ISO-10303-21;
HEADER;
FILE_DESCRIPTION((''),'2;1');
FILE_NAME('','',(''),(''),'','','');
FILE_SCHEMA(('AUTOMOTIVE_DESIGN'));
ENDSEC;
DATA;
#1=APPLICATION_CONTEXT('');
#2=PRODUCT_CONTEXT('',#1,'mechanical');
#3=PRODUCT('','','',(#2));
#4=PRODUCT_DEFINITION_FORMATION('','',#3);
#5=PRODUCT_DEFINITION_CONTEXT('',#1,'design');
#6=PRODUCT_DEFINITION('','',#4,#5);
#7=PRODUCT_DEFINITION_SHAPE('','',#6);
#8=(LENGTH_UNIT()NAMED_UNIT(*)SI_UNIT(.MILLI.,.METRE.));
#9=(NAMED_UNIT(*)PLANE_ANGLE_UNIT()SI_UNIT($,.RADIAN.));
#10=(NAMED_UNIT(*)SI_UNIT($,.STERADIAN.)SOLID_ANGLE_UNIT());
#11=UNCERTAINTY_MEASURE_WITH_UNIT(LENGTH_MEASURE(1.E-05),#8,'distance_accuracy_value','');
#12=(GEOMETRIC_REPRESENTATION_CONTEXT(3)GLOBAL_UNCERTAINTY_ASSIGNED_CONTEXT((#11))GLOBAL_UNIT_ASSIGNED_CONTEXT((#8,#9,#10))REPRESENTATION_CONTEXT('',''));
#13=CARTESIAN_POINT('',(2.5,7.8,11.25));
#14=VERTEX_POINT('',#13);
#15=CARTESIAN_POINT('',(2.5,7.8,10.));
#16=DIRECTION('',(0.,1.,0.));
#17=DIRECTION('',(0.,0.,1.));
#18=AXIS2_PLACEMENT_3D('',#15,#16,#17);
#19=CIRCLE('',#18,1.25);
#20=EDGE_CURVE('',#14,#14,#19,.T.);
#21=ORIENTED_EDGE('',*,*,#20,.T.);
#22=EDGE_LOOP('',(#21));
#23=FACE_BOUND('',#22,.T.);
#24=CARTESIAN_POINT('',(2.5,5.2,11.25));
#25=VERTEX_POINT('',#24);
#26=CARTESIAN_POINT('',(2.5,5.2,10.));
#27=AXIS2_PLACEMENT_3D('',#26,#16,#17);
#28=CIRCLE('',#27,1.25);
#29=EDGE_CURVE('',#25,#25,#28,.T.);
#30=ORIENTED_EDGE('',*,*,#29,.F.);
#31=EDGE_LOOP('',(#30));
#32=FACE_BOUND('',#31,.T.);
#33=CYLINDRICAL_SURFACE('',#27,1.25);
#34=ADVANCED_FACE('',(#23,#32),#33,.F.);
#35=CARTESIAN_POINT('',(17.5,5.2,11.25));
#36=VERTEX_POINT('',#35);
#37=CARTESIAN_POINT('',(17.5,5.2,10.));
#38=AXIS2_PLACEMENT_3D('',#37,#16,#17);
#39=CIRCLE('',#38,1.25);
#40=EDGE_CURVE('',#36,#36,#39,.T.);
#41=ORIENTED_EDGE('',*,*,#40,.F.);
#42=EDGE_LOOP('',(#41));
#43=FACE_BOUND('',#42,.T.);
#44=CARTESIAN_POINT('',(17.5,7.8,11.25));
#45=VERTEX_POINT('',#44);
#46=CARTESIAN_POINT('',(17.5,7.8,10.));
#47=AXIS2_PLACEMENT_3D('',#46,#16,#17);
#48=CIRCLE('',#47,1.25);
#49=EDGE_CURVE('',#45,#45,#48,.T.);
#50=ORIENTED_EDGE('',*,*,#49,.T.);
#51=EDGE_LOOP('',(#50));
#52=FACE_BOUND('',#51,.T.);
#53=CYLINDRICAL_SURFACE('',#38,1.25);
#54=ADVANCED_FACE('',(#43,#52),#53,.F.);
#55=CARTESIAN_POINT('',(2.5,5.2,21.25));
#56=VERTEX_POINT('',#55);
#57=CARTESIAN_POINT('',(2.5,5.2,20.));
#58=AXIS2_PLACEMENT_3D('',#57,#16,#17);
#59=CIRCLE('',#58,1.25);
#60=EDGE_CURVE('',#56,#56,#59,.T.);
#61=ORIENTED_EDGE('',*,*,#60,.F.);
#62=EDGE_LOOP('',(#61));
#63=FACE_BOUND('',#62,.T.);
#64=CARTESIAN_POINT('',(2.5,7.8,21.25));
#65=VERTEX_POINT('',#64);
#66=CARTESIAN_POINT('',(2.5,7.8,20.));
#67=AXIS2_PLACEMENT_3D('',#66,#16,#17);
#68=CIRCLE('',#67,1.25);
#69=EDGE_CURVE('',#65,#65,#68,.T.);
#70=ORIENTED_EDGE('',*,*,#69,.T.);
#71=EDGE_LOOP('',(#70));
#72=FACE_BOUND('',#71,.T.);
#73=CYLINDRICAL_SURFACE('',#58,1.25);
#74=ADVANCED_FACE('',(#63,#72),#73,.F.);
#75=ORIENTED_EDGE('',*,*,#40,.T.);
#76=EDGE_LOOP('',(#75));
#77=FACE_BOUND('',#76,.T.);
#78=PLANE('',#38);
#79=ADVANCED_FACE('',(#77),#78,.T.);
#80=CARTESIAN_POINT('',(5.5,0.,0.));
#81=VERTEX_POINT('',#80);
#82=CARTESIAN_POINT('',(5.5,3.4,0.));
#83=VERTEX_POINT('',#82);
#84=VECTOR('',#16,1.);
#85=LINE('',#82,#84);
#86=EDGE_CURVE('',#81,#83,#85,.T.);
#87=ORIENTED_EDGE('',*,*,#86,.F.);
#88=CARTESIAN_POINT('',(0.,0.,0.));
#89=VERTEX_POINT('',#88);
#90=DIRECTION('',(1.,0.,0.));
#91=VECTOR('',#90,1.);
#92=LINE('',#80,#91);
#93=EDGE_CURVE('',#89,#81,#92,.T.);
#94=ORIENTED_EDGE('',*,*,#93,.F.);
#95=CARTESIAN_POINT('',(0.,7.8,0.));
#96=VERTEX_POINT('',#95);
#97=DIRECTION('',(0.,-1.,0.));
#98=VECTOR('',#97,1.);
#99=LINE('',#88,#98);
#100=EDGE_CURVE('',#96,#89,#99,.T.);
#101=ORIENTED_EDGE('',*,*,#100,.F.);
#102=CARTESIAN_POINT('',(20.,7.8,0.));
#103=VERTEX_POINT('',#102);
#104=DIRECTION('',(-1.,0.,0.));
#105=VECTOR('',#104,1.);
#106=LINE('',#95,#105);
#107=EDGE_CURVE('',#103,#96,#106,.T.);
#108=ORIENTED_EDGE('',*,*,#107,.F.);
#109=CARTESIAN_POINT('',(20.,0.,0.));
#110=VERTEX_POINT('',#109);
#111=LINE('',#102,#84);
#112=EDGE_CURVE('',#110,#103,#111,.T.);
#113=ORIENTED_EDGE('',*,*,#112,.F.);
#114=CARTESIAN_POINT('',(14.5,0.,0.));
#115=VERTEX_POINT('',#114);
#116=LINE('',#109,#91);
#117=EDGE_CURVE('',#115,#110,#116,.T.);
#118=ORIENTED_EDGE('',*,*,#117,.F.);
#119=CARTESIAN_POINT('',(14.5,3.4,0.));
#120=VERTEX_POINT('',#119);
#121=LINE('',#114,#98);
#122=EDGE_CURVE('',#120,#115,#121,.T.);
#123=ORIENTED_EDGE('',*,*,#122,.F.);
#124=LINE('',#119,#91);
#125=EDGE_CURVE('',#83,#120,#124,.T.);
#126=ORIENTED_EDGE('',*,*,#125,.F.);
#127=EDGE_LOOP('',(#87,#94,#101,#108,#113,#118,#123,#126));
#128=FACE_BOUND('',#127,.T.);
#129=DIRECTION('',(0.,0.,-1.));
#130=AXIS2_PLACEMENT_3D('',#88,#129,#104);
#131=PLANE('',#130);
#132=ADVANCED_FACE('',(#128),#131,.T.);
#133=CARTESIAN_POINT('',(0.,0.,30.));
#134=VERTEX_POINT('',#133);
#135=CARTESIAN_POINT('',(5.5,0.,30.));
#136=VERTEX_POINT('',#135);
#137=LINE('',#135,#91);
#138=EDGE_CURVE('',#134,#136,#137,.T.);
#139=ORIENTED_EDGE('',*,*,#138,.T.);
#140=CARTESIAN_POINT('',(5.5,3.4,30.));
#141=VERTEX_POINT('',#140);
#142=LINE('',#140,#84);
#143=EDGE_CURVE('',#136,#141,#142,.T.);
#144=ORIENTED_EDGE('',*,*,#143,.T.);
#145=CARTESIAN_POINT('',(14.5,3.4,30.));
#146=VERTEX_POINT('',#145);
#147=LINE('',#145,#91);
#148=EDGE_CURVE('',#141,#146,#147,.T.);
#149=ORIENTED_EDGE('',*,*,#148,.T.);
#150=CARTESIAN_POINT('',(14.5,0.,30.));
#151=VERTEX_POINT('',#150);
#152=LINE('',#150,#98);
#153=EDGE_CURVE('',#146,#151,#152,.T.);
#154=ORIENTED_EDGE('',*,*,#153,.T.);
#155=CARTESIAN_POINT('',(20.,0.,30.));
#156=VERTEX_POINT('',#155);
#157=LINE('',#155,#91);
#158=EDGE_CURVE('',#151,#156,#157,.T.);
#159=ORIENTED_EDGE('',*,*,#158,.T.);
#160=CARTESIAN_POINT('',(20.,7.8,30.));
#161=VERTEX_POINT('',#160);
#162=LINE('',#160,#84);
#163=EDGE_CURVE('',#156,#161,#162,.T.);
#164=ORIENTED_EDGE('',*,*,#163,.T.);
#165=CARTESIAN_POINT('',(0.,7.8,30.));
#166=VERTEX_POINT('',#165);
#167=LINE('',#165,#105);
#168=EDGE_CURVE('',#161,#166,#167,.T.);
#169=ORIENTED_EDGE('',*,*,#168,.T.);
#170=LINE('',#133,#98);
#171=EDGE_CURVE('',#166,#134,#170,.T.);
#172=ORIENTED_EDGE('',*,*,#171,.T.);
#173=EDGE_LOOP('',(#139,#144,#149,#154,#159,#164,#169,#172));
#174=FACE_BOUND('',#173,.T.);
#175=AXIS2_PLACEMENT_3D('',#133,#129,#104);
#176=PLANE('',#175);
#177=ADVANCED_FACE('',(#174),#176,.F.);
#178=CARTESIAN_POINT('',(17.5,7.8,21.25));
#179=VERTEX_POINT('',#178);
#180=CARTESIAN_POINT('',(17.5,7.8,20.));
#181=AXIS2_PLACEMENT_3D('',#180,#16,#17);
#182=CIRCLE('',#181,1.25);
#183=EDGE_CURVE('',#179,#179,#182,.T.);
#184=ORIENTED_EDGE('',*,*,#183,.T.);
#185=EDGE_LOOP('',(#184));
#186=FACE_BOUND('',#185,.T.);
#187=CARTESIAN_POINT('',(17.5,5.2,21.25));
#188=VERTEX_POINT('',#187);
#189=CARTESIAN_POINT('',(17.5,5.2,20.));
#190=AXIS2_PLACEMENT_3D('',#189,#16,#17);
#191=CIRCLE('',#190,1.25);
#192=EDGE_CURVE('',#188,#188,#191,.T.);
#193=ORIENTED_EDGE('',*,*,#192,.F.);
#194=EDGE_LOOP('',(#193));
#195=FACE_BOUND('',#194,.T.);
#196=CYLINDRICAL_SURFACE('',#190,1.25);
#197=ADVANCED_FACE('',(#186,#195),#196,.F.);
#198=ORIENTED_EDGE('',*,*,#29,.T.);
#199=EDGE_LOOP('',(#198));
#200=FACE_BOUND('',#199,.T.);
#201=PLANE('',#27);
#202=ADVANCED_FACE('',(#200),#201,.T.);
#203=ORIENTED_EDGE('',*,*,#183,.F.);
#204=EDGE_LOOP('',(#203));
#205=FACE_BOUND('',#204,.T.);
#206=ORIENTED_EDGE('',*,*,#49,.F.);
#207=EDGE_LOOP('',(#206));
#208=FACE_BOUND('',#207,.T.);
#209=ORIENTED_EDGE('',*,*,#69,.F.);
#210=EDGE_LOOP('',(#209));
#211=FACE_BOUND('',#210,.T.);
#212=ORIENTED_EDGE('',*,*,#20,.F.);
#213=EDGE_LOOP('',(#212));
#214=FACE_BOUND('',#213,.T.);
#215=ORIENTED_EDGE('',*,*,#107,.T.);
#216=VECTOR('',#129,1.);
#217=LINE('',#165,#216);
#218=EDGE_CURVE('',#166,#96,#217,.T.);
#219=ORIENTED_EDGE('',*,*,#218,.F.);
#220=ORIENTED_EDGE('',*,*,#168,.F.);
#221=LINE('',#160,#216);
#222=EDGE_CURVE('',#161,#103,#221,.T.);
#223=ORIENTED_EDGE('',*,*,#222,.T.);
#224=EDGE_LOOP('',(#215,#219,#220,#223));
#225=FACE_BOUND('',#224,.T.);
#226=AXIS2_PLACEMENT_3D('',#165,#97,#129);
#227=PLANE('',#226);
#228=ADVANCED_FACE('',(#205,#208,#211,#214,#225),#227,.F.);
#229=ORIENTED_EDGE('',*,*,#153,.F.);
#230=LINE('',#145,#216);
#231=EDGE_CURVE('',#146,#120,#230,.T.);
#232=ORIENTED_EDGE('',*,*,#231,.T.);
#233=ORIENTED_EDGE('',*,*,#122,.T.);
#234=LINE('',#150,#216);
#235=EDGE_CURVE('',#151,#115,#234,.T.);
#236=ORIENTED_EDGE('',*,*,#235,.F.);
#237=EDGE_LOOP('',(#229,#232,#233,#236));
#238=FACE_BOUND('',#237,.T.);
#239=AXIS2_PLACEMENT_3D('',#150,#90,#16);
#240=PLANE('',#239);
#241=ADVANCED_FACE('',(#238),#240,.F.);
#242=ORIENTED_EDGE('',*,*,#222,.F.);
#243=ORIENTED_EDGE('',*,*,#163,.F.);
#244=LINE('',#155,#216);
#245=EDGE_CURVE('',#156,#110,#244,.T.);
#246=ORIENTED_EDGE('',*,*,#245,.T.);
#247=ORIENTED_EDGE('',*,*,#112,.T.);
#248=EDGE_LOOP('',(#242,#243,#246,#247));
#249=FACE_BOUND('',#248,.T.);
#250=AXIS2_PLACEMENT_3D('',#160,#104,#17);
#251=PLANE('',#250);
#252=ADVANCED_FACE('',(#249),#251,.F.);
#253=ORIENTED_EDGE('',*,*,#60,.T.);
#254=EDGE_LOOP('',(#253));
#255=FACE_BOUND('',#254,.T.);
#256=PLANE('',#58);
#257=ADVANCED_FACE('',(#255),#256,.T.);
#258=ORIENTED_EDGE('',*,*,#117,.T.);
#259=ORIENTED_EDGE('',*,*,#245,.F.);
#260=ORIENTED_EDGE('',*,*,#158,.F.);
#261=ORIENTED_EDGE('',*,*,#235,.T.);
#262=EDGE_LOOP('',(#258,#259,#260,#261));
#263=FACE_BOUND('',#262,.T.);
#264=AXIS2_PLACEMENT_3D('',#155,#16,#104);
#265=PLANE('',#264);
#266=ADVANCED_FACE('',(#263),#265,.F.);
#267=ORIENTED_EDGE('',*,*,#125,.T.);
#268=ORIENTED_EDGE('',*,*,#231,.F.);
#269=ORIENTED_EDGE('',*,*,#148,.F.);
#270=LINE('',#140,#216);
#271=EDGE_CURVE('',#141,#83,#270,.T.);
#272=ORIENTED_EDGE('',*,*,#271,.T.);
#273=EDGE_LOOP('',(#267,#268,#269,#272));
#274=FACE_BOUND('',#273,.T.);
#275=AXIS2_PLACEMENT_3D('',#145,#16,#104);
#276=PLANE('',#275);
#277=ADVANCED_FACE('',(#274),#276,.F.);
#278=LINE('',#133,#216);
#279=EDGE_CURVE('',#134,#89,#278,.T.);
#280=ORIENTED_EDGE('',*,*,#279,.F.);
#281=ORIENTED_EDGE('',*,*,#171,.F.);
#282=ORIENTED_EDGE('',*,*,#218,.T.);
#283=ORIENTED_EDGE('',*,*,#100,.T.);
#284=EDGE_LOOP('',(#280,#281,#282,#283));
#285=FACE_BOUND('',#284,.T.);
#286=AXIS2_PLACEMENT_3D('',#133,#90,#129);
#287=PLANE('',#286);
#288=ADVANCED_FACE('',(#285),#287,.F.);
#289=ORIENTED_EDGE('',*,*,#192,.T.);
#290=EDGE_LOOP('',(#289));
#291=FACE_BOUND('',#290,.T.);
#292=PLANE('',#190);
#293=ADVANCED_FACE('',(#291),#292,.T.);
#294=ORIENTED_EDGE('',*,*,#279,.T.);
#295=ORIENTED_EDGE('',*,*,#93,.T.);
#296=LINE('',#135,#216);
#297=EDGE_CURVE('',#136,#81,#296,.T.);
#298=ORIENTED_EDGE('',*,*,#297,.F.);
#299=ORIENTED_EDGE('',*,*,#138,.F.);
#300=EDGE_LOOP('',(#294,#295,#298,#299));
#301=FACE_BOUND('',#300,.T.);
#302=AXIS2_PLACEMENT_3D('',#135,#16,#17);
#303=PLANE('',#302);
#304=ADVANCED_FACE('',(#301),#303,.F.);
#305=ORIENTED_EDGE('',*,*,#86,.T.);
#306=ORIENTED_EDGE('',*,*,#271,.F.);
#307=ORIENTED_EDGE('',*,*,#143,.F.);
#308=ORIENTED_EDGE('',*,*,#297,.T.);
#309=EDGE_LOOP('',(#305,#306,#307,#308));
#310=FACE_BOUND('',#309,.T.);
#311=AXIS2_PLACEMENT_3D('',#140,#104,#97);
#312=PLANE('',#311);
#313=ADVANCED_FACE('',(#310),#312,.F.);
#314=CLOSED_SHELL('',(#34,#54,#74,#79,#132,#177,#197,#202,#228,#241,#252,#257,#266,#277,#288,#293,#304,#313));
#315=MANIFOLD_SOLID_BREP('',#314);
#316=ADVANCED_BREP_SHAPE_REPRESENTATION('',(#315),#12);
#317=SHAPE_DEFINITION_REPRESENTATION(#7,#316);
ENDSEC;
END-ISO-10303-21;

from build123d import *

# Parameters (mm, degrees)
BOSS_EXTRU_1_DEPTH      = 30
ESQUISSE2_R             = 1.25
ENL_V_MAT_EXTRU_1_DEPTH = 2.6


with BuildPart() as part:
    # Esquisse1 → Boss.-Extru.1 (new body)
    with BuildSketch(Plane.XY):
        Polygon((0, 0), (0, 7.8), (20, 7.8), (20, 0), (14.5, 0), (14.5, 3.4), (5.5, 3.4), (5.5, 0), align=None)
    extrude(amount=BOSS_EXTRU_1_DEPTH)

    # Esquisse2 → Enlèv. mat.-Extru.1 (cut)
    with BuildSketch(Plane(origin=(0, 7.8, 0), x_dir=(1, 0, 0), z_dir=(0, 1, 0))):
        with Locations(Location((2.5, -10, 0), (0, 0, 270))):
            Circle(ESQUISSE2_R)
        with Locations(Location((17.5, -10, 0), (0, 0, 270))):
            Circle(ESQUISSE2_R)
        with Locations(Location((17.5, -20, 0), (0, 0, 270))):
            Circle(ESQUISSE2_R)
        with Locations(Location((2.5, -20, 0), (0, 0, 270))):
            Circle(ESQUISSE2_R)
    extrude(amount=-ENL_V_MAT_EXTRU_1_DEPTH, mode=Mode.SUBTRACT)


solid = part.part
